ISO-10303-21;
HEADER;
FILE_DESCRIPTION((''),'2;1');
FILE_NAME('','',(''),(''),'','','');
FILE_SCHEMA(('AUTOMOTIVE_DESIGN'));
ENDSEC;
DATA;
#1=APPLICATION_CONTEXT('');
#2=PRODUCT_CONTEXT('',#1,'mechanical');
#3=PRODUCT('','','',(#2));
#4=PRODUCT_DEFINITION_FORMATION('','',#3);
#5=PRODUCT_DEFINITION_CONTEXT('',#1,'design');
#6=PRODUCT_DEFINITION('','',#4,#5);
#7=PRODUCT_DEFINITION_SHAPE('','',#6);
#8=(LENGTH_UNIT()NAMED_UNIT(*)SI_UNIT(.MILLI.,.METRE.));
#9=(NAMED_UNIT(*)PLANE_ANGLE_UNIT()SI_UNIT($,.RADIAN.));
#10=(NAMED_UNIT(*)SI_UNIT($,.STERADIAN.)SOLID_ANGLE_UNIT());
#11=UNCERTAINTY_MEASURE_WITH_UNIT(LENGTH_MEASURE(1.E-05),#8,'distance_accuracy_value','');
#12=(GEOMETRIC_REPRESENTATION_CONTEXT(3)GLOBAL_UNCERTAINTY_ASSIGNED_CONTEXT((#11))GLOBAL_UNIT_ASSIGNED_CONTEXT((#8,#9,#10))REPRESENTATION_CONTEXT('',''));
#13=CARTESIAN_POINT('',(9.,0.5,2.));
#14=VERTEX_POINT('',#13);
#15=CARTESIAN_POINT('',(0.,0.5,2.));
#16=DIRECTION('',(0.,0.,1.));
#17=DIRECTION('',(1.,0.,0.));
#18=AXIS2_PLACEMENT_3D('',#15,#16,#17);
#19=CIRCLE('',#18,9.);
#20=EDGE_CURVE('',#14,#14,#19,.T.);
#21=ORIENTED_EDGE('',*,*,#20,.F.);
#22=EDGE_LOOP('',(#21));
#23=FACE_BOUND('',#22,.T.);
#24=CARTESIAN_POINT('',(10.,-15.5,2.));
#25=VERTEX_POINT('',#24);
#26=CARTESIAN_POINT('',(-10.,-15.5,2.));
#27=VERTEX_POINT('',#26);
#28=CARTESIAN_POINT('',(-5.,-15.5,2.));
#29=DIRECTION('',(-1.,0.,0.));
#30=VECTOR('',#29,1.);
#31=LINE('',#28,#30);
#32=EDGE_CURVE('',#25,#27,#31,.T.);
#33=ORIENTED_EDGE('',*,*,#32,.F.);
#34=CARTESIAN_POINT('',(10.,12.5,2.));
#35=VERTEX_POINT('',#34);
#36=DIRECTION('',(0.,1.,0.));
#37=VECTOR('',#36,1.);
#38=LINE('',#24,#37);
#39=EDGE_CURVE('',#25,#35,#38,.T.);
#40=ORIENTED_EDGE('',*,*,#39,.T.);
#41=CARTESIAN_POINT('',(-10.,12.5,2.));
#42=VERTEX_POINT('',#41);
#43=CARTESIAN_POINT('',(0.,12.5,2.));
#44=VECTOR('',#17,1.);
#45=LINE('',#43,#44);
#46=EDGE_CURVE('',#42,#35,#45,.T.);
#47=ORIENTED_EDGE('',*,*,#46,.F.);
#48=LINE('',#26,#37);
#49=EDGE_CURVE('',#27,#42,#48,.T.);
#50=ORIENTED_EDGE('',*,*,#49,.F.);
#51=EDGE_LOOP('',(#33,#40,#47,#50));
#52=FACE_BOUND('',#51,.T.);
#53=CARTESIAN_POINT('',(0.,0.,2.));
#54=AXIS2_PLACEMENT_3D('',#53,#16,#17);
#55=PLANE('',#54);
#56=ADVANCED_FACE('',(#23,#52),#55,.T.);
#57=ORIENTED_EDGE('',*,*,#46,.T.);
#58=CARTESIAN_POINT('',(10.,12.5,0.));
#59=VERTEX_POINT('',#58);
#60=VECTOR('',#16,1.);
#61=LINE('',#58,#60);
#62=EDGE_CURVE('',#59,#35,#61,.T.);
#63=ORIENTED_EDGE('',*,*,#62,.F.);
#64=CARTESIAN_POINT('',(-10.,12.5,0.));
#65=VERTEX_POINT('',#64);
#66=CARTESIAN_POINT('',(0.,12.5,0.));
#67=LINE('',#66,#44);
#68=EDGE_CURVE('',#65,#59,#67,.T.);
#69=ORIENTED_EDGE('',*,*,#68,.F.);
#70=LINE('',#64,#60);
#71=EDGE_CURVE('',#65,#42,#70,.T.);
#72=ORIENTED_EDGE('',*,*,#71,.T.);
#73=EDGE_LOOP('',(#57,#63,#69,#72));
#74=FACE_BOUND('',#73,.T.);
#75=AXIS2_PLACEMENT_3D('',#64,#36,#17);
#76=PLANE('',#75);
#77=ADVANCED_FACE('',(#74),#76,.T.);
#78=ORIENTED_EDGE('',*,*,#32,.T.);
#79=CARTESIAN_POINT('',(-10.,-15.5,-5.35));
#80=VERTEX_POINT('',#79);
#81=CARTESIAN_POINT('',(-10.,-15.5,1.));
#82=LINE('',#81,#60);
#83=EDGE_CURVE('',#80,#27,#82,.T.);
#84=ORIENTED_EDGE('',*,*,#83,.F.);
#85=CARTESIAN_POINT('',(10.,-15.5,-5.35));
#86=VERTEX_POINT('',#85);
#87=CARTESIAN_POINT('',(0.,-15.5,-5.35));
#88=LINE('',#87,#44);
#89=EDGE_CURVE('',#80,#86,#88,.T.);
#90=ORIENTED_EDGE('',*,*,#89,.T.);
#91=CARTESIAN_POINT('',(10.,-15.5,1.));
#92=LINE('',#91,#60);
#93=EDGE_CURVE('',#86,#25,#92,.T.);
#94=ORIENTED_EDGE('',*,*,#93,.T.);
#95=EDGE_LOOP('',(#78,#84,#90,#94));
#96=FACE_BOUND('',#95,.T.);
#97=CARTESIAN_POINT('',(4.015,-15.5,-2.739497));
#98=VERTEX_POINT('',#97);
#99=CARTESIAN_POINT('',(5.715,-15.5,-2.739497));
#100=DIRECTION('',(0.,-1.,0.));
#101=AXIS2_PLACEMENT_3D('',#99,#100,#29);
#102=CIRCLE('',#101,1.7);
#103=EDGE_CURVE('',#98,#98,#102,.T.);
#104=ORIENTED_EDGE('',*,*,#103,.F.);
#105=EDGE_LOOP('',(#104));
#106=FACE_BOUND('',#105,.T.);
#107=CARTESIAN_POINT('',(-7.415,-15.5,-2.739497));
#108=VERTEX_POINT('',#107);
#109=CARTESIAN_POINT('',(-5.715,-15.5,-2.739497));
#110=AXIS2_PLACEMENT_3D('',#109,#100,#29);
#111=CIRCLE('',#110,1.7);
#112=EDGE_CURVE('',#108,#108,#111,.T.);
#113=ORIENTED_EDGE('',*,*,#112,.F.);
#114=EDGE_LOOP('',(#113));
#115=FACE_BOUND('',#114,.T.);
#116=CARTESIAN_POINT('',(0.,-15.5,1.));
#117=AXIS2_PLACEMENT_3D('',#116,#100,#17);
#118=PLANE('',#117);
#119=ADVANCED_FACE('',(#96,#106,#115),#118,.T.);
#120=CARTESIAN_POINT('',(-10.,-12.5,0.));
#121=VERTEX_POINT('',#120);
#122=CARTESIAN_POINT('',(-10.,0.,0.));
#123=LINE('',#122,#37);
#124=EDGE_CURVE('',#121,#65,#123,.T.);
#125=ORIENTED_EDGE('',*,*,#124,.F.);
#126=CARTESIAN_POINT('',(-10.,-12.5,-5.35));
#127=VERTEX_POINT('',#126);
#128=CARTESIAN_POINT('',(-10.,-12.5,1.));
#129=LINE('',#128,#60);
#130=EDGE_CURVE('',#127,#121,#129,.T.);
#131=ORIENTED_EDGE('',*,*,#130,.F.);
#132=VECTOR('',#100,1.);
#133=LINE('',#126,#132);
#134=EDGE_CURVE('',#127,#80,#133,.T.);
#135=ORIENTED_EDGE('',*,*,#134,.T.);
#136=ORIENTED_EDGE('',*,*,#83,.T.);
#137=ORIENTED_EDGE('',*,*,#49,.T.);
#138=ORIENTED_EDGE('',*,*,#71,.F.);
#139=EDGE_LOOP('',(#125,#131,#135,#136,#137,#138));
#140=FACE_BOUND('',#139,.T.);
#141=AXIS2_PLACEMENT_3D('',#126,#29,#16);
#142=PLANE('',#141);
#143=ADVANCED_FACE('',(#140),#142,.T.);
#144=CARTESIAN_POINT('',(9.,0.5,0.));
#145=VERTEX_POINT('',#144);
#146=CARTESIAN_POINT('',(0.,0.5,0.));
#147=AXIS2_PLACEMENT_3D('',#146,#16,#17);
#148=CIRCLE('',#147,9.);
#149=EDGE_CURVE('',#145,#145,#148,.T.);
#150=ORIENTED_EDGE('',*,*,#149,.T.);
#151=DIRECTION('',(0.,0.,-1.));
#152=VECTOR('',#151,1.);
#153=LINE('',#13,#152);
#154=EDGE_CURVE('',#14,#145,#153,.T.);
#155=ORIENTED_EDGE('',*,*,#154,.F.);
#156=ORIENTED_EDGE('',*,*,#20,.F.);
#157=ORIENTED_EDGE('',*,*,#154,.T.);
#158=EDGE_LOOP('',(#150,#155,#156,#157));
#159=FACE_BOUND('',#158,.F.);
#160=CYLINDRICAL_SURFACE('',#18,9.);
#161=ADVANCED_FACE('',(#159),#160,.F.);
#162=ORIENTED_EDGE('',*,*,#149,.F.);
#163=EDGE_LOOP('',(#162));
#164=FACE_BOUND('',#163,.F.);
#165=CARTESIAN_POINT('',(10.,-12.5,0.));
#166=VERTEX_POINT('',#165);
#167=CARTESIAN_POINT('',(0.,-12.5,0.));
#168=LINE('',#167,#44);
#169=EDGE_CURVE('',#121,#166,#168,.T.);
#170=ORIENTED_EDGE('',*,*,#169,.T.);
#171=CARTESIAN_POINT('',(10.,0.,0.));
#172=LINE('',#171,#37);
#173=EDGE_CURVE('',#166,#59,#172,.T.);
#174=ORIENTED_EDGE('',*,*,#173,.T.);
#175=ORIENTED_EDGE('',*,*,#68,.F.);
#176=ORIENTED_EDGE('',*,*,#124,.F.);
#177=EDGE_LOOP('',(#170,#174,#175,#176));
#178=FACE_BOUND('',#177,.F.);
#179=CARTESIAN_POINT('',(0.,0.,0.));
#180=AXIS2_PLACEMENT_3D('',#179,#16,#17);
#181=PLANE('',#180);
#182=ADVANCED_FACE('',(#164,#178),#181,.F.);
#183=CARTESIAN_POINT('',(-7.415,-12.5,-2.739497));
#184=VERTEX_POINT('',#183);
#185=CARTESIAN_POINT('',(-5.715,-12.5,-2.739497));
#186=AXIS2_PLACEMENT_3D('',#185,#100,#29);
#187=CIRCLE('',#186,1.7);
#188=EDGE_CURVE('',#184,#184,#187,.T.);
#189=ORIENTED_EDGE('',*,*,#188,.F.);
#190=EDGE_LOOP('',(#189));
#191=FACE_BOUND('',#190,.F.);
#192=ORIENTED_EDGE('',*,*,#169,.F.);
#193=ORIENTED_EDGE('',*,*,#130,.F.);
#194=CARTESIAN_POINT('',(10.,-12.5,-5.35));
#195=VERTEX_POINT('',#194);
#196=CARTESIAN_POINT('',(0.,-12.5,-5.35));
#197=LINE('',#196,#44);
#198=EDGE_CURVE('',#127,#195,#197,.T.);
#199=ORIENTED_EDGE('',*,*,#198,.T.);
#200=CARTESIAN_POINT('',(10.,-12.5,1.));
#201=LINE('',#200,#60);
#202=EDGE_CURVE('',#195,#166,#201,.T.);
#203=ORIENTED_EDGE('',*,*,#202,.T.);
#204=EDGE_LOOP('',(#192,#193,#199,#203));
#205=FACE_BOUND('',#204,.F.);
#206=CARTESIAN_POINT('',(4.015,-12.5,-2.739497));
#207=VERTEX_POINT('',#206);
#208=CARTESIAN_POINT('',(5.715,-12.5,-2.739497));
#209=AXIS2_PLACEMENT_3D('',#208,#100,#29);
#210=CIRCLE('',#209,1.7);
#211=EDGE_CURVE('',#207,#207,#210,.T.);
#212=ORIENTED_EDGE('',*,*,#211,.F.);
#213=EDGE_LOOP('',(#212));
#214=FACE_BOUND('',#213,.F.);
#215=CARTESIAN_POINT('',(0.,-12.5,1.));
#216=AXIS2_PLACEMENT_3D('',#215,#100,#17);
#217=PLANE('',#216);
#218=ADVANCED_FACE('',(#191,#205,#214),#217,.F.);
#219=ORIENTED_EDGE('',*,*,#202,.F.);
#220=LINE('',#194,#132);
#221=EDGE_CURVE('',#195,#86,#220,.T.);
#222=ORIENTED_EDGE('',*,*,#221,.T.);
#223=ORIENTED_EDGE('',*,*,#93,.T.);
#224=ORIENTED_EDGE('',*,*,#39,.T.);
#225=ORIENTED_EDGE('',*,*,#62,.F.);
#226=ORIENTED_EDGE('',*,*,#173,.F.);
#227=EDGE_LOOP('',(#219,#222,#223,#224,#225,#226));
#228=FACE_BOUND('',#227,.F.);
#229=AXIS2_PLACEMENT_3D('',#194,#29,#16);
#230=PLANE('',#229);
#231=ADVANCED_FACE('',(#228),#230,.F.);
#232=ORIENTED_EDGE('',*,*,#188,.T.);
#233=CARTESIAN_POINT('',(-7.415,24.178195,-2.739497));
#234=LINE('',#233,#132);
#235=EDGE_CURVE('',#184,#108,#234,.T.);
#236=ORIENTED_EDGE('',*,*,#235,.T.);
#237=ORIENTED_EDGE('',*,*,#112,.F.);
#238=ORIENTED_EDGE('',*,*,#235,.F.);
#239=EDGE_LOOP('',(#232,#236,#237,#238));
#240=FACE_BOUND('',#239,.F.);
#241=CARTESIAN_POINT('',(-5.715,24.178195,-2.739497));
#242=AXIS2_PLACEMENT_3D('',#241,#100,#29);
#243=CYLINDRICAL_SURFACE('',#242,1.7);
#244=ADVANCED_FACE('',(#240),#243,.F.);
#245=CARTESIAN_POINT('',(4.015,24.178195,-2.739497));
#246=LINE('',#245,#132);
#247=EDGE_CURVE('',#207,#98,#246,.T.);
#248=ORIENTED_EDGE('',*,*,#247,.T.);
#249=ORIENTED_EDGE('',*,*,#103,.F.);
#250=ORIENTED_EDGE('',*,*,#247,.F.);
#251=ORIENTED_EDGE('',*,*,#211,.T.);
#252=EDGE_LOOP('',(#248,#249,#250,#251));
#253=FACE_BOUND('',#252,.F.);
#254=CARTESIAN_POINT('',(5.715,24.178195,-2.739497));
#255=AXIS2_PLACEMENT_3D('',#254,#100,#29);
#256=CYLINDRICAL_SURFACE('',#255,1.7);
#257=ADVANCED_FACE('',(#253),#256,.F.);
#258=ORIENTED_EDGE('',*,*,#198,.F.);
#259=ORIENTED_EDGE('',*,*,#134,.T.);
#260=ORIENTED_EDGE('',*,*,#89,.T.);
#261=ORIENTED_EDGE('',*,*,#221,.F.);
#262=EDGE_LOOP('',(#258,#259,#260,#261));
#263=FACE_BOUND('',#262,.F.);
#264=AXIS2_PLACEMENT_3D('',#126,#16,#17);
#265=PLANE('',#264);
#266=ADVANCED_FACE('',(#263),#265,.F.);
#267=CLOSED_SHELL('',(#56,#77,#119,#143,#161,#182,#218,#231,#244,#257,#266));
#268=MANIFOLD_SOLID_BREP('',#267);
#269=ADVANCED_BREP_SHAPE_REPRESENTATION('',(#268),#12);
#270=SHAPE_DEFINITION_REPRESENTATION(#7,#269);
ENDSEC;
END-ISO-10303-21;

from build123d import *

# Parameters (mm, degrees)
SKETCH1_W            = 20
SKETCH1_H            = 25
BOSS_EXTRUDE1_DEPTH  = 2
SKETCH2_W            = 20
SKETCH2_H            = 12.7
BOSS_EXTRUDE2_DEPTH  = 3
M3_CLEARANCE_HOLE1_D = 3.4
SKETCH7_R            = 9
CUT_EXTRUDE1_DEPTH   = 20.856296231
SKETCH8_W            = 20
SKETCH8_H            = 5.35
CUT_EXTRUDE2_DEPTH   = 28.910974544


with BuildPart() as part:
    # Sketch1 → Boss-Extrude1 (new body)
    with BuildSketch(Plane.XY):
        Rectangle(SKETCH1_W, SKETCH1_H)
    extrude(amount=BOSS_EXTRUDE1_DEPTH)

    # Sketch2 → Boss-Extrude2 (add)
    with BuildSketch(Plane.XZ.offset(12.5)):
        with Locations((0, 1)):
            Rectangle(SKETCH2_W, SKETCH2_H)
    extrude(amount=BOSS_EXTRUDE2_DEPTH)

    # M3 Clearance Hole1 (through all)
    with Locations(Plane(origin=(0, -12.5, 0), x_dir=(1, 0, 0), z_dir=(0, 1, 0))):
        with Locations((-5.715, 2.739497088), (5.715, 2.739497088)):
            Hole(M3_CLEARANCE_HOLE1_D / 2)

    # Sketch7 → Cut-Extrude1 (cut, through all)
    with BuildSketch(Plane.XY.offset(2)):
        with Locations((0, 0.5)):
            Circle(SKETCH7_R)
    extrude(amount=-CUT_EXTRUDE1_DEPTH, mode=Mode.SUBTRACT)

    # Sketch8 → Cut-Extrude2 (cut, through all)
    with BuildSketch(Plane(origin=(0, -12.5, 0), x_dir=(1, 0, 0), z_dir=(0, 1, 0))):
        with Locations((0, -4.675)):
            Rectangle(SKETCH8_W, SKETCH8_H)
    extrude(amount=-CUT_EXTRUDE2_DEPTH, mode=Mode.SUBTRACT)


solid = part.part
